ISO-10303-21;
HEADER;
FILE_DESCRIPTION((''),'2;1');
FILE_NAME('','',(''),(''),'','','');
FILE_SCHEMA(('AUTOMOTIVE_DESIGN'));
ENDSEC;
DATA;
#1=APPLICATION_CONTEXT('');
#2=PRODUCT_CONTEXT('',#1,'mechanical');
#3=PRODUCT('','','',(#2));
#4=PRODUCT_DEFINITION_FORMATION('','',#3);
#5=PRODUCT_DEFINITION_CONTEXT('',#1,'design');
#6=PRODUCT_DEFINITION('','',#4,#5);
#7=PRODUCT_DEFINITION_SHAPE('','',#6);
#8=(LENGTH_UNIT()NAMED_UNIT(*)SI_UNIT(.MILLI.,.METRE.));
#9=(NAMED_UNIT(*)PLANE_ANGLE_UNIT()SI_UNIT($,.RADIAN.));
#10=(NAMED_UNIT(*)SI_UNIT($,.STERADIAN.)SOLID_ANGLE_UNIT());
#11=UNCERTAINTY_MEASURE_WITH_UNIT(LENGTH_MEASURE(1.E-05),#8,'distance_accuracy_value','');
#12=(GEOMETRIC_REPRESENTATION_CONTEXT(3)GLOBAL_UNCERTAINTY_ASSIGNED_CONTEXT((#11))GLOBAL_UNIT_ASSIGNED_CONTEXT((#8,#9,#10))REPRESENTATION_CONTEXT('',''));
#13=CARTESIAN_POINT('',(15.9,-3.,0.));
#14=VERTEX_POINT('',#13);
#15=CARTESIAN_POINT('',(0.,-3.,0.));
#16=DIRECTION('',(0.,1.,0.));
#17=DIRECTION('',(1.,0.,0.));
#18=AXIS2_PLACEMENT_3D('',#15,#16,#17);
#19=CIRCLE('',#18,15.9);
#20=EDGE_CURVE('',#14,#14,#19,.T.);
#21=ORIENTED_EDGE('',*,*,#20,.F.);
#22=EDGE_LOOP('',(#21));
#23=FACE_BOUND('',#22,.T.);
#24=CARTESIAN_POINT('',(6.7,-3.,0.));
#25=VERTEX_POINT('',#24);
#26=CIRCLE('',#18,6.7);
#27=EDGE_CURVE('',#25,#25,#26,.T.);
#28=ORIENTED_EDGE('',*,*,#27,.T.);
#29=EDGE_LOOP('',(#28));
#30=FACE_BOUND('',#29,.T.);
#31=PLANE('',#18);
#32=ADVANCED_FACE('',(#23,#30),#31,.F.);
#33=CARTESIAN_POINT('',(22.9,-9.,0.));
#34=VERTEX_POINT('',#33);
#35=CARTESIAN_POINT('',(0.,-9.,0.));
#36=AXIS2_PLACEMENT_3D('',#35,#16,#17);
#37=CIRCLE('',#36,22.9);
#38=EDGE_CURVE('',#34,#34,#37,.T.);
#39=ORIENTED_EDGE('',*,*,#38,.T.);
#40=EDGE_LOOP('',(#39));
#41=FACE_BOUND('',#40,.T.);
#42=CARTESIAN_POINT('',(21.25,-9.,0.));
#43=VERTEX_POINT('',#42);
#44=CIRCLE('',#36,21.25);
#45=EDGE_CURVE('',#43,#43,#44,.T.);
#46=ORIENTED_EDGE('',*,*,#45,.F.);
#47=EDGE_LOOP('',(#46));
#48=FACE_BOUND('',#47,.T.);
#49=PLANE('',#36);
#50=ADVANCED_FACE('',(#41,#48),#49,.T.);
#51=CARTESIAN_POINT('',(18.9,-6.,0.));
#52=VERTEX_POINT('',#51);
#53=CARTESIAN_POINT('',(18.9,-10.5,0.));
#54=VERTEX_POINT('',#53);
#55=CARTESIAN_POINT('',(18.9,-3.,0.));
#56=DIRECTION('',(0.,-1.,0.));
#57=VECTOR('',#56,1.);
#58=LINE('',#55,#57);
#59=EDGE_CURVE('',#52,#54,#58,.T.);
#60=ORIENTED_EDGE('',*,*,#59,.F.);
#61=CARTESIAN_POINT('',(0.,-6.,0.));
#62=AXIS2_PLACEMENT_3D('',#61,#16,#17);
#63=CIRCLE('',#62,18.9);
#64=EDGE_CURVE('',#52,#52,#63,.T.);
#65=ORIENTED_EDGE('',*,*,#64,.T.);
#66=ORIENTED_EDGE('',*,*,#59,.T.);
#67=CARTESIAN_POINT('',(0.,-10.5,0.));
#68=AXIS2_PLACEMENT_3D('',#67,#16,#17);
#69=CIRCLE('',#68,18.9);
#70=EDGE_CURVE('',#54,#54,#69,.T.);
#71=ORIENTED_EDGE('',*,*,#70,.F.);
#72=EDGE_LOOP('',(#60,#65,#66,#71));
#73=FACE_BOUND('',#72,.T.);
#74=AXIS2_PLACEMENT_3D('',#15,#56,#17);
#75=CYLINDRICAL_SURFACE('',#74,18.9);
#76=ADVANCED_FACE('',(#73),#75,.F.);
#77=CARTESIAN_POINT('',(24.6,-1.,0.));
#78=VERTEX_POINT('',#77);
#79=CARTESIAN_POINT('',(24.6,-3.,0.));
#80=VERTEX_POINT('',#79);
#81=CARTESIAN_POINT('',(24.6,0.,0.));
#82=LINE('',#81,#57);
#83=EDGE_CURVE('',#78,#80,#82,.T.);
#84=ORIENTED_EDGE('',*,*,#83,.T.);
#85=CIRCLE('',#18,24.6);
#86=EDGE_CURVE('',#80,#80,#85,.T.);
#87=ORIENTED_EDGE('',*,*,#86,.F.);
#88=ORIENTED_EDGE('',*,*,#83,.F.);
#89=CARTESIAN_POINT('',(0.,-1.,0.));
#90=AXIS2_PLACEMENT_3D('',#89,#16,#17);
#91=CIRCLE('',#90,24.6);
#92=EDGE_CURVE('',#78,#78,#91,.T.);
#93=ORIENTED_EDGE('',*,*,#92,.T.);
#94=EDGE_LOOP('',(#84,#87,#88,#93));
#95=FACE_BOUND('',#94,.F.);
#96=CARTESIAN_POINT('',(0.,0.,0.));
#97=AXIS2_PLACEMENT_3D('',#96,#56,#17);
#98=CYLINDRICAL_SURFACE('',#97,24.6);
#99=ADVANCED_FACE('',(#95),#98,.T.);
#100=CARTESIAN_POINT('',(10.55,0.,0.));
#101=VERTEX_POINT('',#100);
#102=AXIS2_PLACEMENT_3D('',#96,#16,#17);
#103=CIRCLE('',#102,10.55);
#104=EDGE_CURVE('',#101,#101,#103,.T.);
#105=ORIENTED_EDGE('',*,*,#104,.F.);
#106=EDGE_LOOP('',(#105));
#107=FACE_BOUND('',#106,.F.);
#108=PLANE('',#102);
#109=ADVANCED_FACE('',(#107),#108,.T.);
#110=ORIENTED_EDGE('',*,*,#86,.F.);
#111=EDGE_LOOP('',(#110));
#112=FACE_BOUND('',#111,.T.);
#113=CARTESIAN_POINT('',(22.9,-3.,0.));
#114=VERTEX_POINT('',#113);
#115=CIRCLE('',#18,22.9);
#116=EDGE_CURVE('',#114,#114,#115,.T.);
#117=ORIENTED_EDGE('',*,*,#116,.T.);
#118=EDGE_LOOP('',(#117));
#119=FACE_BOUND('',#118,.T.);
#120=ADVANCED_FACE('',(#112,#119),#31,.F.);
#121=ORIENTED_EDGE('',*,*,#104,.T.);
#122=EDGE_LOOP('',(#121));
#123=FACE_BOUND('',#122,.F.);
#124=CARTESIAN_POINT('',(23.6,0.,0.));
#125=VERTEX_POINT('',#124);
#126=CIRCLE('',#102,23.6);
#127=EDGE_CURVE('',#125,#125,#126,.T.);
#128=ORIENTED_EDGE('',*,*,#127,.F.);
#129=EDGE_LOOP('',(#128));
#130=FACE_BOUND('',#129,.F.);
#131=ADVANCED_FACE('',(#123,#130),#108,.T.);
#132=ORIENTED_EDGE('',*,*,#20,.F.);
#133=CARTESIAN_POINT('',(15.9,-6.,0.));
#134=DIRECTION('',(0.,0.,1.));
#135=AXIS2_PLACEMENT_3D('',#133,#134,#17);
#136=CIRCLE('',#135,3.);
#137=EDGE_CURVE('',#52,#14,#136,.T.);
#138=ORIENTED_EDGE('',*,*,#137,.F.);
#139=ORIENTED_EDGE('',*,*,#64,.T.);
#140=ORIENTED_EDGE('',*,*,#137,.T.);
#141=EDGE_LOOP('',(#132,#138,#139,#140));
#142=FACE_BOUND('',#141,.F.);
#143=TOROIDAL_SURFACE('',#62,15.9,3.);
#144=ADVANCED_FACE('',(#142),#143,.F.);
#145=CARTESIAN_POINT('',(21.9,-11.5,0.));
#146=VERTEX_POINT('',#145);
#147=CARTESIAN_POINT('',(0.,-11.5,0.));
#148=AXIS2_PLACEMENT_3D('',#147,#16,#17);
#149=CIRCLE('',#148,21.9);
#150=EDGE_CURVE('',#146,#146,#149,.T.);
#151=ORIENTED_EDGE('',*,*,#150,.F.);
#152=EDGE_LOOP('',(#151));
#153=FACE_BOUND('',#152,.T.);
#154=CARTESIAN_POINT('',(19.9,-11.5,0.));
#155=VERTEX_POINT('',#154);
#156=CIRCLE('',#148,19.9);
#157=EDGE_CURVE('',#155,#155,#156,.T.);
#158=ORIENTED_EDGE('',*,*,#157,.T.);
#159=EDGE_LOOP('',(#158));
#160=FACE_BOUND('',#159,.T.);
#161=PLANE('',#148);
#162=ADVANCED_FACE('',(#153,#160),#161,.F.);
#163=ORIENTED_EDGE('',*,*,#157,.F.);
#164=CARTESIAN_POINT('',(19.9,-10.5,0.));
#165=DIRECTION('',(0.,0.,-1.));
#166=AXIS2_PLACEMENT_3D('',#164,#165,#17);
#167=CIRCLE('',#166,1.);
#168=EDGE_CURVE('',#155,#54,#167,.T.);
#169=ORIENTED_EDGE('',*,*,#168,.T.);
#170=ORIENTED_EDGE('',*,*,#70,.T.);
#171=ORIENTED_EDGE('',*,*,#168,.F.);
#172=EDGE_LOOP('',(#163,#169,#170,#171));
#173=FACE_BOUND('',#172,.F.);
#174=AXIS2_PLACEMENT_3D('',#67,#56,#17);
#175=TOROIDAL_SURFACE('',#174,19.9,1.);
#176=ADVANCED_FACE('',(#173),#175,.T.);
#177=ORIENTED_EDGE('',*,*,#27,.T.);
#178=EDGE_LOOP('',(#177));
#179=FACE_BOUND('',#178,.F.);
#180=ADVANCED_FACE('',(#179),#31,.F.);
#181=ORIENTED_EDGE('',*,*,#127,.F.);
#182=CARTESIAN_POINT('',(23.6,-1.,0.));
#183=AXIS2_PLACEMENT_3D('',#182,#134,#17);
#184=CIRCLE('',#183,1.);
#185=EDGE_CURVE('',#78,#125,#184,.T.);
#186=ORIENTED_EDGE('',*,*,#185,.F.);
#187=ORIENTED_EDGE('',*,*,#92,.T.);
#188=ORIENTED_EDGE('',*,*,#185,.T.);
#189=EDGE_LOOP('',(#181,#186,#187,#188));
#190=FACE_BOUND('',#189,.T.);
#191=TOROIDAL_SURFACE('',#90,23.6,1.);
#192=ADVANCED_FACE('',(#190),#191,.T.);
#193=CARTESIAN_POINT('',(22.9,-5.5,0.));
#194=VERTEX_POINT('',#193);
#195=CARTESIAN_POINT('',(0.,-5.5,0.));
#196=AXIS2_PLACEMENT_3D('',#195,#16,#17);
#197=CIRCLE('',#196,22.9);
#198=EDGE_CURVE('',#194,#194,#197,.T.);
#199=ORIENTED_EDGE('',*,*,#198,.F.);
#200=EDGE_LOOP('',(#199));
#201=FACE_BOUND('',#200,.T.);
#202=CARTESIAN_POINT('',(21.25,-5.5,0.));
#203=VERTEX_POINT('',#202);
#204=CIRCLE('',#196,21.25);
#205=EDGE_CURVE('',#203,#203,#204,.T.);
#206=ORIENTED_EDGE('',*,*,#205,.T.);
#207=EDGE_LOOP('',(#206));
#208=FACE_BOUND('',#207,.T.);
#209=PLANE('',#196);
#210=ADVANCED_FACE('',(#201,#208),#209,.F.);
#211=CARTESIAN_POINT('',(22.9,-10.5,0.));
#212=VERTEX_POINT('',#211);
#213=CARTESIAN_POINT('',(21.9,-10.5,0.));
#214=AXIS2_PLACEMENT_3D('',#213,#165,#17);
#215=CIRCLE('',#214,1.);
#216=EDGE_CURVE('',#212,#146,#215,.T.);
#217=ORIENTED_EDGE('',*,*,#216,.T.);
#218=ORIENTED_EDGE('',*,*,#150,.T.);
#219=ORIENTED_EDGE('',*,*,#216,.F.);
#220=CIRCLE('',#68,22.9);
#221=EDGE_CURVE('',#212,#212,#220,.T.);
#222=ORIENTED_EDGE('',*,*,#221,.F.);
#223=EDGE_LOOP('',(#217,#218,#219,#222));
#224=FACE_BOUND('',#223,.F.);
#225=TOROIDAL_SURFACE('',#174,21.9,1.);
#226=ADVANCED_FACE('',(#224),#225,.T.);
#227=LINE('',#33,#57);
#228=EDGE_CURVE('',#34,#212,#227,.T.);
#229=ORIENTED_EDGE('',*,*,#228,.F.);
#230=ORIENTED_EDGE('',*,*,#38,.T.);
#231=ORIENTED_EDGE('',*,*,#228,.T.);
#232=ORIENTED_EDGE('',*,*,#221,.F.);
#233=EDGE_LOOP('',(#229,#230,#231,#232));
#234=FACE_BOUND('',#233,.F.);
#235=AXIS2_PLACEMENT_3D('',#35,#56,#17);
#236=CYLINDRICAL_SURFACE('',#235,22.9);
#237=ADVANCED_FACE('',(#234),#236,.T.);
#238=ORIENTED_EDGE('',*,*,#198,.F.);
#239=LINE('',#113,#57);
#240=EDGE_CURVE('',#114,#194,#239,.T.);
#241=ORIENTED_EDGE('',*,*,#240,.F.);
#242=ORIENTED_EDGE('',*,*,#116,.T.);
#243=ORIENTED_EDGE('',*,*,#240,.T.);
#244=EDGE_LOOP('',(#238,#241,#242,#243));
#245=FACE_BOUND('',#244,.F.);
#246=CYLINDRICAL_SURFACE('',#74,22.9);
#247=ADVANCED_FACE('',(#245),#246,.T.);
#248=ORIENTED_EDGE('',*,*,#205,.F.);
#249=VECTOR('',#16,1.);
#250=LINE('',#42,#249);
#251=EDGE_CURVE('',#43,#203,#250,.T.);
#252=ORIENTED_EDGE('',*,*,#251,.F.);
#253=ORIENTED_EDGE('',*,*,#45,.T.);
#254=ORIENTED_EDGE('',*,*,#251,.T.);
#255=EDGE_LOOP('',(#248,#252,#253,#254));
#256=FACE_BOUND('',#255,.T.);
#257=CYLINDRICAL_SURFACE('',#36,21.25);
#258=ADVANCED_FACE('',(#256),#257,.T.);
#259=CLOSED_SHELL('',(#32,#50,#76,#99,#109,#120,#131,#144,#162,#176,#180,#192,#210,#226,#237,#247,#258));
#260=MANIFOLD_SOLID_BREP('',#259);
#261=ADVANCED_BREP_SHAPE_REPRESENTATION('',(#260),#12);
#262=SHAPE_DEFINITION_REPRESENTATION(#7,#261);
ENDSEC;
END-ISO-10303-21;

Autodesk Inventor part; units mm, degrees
ref_plane "YZ Plane" through (0, 0, 0) normal (1, 0, 0) x (0, 1, 0)
ref_plane "XZ Plane" through (0, 0, 0) normal (0, 1, 0) x (-1, 0, 0)
ref_plane "XY Plane" through (0, 0, 0) normal (0, 0, 1) x (1, 0, 0)
sketch "Sketch1" plane through (0, 0, 0) normal (0, 0, 1) x (1, 0, 0)
  line L0 (-24.6, 0) -> (24.6, 0) construction
  line L1 (24.6, 0) -> (24.6, -3)
  line L2 (24.6, -3) -> (-24.6, -3) construction
  line L3 (-24.6, -3) -> (-24.6, 0)
  line L4 (-22.9, -3) -> (22.9, -3) construction
  line L5 (22.9, -3) -> (22.9, -11.5) construction
  line L6 (22.9, -11.5) -> (-22.9, -11.5) construction
  line L7 (-22.9, -11.5) -> (-22.9, -3)
  line L8 (22.9, -9) -> (21.25, -9)
  line L9 (21.25, -9) -> (21.25, -5.5)
  line L10 (21.25, -5.5) -> (22.9, -5.5)
  line L11 (22.9, -5.5) -> (22.9, -9) construction
  line L12 (-10.55, 40) -> (10.55, 40) construction
  line L13 (10.55, 40) -> (10.55, 0) construction
  line L14 (10.55, 0) -> (-10.55, 0) construction
  line L15 (-10.55, 0) -> (-10.55, 40) construction
  line L16 (-10.92, 40) -> (10.92, 40) construction
  line L17 (-11.19, 19) -> (11.19, 19) construction
  line L18 (-10.92, 40) -> (-11.19, 19)
  line L19 (10.92, 40) -> (11.19, 19)
  line L20 (-6.7, 40) -> (6.7, 40) construction
  line L21 (6.7, 40) -> (6.7, -3) construction
  line L22 (6.7, -3) -> (-6.7, -3) construction
  line L23 (-6.7, -3) -> (-6.7, 40) construction
  line L24 (-18.9, -3) -> (18.9, -3) construction
  line L25 (18.9, -3) -> (18.9, -11.5)
  line L26 (18.9, -11.5) -> (-18.9, -11.5) construction
  line L27 (-18.9, -11.5) -> (-18.9, -3)
  line L28 (-22.9, -11.5) -> (-18.9, -11.5)
  line L29 (18.9, -11.5) -> (22.9, -11.5)
  line L30 (-24.6, -3) -> (-22.9, -3)
  line L31 (-18.9, -3) -> (-6.7, -3)
  line L32 (6.7, -3) -> (18.9, -3)
  line L33 (22.9, -3) -> (24.6, -3)
  line L34 (22.9, -3) -> (22.9, -5.5)
  line L35 (22.9, -9) -> (22.9, -11.5)
  line L36 (10.55, 0) -> (24.6, 0)
  line L37 (-10.92, 40) -> (-6.7, 40)
  line L38 (6.7, 40) -> (10.92, 40)
  line L39 (10.55, 0) -> (10.55, 19)
  line L40 (10.55, 19) -> (11.19, 19)
  line L41 (-11.19, 19) -> (-10.55, 19)
  line L42 (-10.55, 19) -> (-10.55, 5.3907)
  line L43 (-6.7, 40) -> (-6.7, -3)
  line L44 (6.7, 40) -> (6.7, -3) construction
  line L45 (10.55, 0) -> (24.6, 0)
  line L46 (0, -21.8) -> (0, 50.3) projected
  line L47 (6.7, -3) -> (0, -3)
  line L48 (0, -3) -> (0, 0)
  line L49 (0, 0) -> (24.6, 0)
  point P0 (0, -3)
  point P1 (22.9, -7.25)
  point P2 (22.9, -7.25)
  point P3 (0, 40)
  point P4 (0, 19)
  point P5 (0, 40)
  point P6 (0, -11.5)
  point P7 (-22.9, -7.25)
  dimension "d0" = 49.2
  dimension "d1" = 3
  dimension "d2" = 45.8
  dimension "d3" = 8.5
  dimension "d4" = 3.5
  dimension "d5" = 1.65
  dimension "d6" = 40
  dimension "d7" = 21.1
  dimension "d8" = 21.84
  dimension "d9" = 22.38
  dimension "d10" = 21
  dimension "d11" = 13.4
  dimension "d12" = 4
revolve "Revolution1" add sketch "Sketch1" angle 360 about axis through (0, -10, 0) along (0, 1, 0)
fillet "Fillet1" radius 1 3 edges at (-24.6, 0, 0) (-22.9, -11.5, 0) (-18.9, -11.5, 0)
fillet "Fillet2" radius 3 3 edges at (-10.55, 0, 0) (-6.7, -3, 0) (-18.9, -3, 0)
properties part number "Rebreather-HoseAdapterInsert_3DPrint"
